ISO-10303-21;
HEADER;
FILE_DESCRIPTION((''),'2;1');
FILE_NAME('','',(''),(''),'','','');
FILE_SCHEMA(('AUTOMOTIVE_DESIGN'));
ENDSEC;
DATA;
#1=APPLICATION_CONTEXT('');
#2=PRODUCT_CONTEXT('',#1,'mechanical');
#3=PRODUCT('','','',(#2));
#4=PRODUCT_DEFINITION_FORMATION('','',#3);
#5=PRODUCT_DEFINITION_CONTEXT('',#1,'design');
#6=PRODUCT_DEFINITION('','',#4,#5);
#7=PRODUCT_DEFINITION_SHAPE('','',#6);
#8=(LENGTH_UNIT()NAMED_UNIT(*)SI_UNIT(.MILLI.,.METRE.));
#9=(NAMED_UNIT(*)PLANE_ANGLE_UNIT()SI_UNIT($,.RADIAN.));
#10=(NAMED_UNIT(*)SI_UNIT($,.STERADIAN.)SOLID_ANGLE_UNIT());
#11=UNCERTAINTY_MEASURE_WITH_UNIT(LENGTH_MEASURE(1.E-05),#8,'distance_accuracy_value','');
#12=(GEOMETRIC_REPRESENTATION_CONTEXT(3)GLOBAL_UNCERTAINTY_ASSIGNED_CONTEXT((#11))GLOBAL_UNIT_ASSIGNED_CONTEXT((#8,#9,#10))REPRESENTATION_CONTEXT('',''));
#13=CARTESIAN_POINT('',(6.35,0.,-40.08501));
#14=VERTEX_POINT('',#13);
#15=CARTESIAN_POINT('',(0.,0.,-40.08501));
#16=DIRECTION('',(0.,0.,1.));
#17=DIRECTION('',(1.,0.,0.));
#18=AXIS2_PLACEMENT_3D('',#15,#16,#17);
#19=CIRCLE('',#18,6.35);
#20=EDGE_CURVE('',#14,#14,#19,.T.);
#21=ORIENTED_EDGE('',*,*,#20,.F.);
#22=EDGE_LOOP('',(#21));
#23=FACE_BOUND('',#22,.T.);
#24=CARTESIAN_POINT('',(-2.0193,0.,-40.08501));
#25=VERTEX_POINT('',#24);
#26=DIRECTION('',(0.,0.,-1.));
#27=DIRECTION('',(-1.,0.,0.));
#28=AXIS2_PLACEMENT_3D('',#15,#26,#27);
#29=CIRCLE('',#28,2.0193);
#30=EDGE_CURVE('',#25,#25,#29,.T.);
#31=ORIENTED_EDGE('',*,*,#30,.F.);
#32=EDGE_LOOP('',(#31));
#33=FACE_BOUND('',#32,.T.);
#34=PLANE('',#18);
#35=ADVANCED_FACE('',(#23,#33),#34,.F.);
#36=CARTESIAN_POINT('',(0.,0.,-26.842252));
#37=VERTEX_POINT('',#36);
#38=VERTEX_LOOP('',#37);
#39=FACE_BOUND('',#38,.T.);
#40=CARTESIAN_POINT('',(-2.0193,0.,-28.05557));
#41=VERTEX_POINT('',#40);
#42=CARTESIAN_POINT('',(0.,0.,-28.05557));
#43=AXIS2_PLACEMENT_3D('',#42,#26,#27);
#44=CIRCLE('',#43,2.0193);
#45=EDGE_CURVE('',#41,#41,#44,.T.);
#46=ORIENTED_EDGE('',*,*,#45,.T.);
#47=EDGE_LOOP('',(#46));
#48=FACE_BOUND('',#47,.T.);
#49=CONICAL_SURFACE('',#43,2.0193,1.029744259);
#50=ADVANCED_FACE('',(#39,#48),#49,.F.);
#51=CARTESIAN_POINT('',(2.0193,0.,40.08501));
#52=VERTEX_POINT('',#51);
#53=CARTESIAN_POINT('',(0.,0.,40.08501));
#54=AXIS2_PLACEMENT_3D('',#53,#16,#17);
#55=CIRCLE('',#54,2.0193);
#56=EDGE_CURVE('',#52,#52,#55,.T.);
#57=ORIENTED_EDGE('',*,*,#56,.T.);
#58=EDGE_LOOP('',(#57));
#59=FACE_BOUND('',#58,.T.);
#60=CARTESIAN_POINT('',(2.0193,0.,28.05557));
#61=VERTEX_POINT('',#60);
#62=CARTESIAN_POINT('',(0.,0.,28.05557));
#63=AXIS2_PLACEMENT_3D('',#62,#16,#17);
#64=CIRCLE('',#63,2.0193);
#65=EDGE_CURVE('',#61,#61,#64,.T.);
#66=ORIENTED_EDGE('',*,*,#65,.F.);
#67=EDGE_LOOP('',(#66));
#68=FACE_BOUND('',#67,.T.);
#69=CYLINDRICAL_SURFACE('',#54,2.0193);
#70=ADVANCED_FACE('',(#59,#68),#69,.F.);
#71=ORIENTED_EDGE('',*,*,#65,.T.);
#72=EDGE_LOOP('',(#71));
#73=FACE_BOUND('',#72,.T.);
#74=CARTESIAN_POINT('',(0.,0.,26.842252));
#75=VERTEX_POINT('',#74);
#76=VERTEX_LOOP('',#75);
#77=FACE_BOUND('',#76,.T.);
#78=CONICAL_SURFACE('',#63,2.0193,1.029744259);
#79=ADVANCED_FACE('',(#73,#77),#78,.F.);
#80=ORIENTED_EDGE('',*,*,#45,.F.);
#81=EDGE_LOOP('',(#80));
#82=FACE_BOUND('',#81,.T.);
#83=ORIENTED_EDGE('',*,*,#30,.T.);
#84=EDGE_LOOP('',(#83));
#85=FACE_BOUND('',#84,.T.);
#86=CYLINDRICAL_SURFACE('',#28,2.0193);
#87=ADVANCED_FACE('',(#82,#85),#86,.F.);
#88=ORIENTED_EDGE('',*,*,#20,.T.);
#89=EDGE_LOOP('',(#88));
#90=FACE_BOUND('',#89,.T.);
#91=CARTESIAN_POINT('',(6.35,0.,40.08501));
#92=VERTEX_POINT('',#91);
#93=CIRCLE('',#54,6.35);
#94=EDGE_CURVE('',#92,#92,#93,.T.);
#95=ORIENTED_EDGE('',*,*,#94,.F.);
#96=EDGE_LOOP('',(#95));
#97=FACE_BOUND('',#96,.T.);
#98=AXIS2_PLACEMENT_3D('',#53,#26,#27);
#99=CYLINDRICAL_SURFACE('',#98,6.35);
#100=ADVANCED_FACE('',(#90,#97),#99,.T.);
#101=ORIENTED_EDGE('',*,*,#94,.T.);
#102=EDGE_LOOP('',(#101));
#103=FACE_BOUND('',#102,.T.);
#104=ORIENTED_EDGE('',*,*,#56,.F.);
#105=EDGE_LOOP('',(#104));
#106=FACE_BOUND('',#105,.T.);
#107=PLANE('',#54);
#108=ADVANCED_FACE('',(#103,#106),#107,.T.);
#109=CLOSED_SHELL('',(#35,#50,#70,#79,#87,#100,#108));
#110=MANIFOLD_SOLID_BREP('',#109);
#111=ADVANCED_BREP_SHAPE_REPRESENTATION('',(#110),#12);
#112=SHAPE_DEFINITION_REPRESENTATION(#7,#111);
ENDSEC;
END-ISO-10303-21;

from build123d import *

# Parameters (mm, degrees)
SKETCH1_R                            = 6.35
BOSS_EXTRUDE1_DEPTH                  = 40.08501
F_10_32_TAPPED_HOLE1_D               = 4.0386
F_10_32_TAPPED_HOLE1_DEPTH           = 12.02944
F_10_32_TAPPED_HOLE1_TIP             = 1.213317848
F_10_32_TAPPED_HOLE1_ON_FACE_2_D     = 4.0386
F_10_32_TAPPED_HOLE1_ON_FACE_2_DEPTH = 12.02944
F_10_32_TAPPED_HOLE1_ON_FACE_2_TIP   = 1.213317848


with BuildPart() as part:
    # Sketch1 → Boss-Extrude1 (new, symmetric)
    with BuildSketch(Plane.XY):
        Circle(SKETCH1_R)
    extrude(amount=BOSS_EXTRUDE1_DEPTH, both=True)

    # #10-32 Tapped Hole1
    with Locations(Plane(origin=(0, 0, -40.08501), x_dir=(-1, 0, 0), z_dir=(0, 0, -1))):
        with Locations((0, 0)):
            Hole(F_10_32_TAPPED_HOLE1_D / 2, depth=F_10_32_TAPPED_HOLE1_DEPTH)
            with Locations((0, 0, -(F_10_32_TAPPED_HOLE1_DEPTH + F_10_32_TAPPED_HOLE1_TIP / 2))):  # 118° drill point
                Cone(0, F_10_32_TAPPED_HOLE1_D / 2, F_10_32_TAPPED_HOLE1_TIP, mode=Mode.SUBTRACT)

    # #10-32 Tapped Hole1 on face 2
    with Locations(Plane.XY.offset(40.08501)):
        with Locations((0, 0)):
            Hole(F_10_32_TAPPED_HOLE1_ON_FACE_2_D / 2, depth=F_10_32_TAPPED_HOLE1_ON_FACE_2_DEPTH)
            with Locations((0, 0, -(F_10_32_TAPPED_HOLE1_ON_FACE_2_DEPTH + F_10_32_TAPPED_HOLE1_ON_FACE_2_TIP / 2))):  # 118° drill point
                Cone(0, F_10_32_TAPPED_HOLE1_ON_FACE_2_D / 2, F_10_32_TAPPED_HOLE1_ON_FACE_2_TIP, mode=Mode.SUBTRACT)


solid = part.part
